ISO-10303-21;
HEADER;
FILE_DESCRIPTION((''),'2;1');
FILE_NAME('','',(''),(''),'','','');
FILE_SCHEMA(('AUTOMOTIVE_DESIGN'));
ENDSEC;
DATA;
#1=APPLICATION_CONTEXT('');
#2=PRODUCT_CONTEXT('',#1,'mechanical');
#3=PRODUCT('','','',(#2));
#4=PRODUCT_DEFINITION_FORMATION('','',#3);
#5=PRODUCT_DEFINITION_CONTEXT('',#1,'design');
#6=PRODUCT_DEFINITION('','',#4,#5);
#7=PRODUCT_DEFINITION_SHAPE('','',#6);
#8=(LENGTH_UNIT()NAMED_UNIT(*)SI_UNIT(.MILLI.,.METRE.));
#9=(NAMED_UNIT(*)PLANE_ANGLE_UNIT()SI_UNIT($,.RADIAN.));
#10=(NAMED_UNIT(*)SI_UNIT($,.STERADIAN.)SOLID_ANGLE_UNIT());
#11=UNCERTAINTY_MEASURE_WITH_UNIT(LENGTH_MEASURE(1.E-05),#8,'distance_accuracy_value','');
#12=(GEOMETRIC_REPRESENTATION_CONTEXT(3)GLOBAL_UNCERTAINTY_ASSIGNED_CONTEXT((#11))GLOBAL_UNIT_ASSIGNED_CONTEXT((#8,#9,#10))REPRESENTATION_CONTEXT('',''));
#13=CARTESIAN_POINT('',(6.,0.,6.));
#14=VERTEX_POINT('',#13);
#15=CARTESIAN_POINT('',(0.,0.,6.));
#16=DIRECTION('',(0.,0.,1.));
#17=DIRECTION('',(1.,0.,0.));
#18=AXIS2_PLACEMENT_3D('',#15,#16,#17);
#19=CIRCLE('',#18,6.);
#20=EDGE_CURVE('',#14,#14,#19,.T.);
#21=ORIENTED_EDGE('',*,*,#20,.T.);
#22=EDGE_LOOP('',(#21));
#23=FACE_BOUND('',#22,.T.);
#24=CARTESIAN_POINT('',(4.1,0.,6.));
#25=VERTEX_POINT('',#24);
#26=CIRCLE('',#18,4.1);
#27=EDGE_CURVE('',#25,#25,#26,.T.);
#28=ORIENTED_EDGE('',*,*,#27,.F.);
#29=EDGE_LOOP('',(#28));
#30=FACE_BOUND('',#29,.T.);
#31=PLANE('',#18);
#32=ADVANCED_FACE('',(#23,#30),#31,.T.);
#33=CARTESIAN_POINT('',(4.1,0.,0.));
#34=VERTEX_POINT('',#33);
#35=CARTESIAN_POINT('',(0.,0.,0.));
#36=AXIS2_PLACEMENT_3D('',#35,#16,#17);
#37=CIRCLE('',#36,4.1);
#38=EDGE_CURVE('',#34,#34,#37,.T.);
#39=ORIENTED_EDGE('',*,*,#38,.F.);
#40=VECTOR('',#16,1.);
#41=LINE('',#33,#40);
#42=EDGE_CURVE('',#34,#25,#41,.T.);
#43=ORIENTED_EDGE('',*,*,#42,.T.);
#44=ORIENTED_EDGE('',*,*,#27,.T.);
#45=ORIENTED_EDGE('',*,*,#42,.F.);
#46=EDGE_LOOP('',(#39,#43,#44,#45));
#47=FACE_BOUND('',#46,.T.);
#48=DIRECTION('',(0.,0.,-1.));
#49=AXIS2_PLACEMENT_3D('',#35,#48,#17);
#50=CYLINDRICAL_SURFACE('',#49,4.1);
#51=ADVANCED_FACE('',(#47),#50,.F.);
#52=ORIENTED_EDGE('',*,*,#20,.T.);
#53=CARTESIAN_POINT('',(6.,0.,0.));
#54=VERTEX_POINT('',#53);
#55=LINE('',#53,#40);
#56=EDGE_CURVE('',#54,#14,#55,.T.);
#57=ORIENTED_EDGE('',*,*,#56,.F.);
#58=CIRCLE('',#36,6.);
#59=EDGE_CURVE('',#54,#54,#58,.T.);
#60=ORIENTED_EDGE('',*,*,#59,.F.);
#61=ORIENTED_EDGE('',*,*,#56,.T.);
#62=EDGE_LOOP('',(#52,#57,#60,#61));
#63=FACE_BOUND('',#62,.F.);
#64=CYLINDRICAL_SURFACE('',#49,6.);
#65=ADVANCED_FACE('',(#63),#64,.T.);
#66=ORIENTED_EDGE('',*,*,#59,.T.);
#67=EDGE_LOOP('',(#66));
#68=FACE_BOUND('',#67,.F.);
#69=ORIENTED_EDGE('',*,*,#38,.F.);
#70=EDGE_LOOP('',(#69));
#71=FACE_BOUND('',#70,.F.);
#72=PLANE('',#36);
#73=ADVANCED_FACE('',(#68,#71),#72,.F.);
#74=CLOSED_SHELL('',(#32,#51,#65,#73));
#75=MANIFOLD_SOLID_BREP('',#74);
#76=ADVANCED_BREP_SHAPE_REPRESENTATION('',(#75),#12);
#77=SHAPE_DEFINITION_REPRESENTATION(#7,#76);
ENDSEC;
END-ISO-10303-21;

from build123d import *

# Parameters (mm, degrees)
CYLINDER001_R     = 4.1
CYLINDER001_DEPTH = 6
CYLINDER_R        = 6
CYLINDER_DEPTH    = 6


with BuildPart() as inner:
    # Cylinder001 → Cylinder001 (new body)
    with BuildSketch(Plane.XY):
        Circle(CYLINDER001_R)
    extrude(amount=CYLINDER001_DEPTH)


with BuildPart() as cut:
    # Cylinder → Cylinder (new body)
    with BuildSketch(Plane.XY):
        Circle(CYLINDER_R)
    extrude(amount=CYLINDER_DEPTH)

    # Cut: cut Inner
    add(inner.part, mode=Mode.SUBTRACT)


solid = cut.part
